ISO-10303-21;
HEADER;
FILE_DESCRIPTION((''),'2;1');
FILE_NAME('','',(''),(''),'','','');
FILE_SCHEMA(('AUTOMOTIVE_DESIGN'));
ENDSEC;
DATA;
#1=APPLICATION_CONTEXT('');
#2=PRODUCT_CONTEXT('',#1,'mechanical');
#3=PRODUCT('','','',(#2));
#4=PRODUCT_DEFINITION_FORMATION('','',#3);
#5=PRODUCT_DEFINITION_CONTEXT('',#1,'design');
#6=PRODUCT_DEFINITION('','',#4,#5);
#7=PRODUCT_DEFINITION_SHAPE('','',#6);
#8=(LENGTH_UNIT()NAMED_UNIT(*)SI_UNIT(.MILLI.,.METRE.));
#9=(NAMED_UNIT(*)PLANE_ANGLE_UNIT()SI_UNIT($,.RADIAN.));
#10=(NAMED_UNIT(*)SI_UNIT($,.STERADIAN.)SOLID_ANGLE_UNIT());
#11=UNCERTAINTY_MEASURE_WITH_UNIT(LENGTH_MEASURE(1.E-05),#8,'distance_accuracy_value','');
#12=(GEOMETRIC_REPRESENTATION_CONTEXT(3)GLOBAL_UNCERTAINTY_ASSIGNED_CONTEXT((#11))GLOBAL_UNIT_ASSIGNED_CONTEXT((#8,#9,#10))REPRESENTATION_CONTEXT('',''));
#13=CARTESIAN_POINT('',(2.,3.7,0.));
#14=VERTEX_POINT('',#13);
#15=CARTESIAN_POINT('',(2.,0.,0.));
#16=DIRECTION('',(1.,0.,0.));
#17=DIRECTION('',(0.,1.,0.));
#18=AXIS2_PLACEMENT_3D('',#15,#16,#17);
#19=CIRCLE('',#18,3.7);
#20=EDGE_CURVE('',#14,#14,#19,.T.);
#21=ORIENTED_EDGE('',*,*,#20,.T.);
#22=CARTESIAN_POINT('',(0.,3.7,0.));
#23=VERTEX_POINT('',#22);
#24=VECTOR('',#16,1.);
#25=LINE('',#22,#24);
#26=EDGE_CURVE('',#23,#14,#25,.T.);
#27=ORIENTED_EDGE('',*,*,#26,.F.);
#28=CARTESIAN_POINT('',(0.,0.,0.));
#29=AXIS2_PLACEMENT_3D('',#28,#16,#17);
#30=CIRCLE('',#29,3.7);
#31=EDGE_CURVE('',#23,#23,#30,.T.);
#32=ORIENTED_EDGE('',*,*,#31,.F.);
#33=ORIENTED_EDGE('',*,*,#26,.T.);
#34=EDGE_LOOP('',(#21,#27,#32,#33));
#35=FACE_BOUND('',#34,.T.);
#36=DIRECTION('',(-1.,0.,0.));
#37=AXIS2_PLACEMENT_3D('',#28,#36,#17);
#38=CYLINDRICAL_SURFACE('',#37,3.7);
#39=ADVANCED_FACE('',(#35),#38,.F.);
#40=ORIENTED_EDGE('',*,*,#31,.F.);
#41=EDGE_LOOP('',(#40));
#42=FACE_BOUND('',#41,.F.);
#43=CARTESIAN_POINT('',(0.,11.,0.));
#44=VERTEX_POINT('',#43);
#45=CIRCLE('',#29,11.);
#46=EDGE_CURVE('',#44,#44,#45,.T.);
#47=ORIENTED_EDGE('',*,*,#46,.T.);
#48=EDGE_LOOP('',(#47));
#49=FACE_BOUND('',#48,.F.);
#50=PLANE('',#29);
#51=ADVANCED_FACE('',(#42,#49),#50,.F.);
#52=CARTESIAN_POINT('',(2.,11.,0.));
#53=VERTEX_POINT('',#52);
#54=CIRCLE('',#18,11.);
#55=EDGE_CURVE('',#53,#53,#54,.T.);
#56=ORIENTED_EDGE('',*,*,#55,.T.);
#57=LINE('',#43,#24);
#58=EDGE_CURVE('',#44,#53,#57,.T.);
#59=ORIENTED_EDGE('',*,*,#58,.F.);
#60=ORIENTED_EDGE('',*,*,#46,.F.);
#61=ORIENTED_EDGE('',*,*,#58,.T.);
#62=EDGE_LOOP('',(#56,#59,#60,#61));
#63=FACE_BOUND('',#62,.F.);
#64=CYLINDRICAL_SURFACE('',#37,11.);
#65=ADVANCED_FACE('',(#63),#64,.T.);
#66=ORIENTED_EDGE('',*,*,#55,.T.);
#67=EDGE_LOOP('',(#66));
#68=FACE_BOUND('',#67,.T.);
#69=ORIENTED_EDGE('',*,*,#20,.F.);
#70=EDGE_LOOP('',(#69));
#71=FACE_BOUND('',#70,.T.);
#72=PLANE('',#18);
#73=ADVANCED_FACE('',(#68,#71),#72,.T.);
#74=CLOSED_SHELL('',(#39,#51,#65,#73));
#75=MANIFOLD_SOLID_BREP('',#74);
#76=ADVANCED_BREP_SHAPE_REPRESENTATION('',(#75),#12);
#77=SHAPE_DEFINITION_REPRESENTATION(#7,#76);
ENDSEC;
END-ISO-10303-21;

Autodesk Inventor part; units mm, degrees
ref_plane "YZ Plane" through (0, 0, 0) normal (1, 0, 0) x (0, 1, 0)
ref_plane "XZ Plane" through (0, 0, 0) normal (0, 1, 0) x (-1, 0, 0)
sketch "Skizze" plane through (0, 0, 0) normal (1, 0, 0) x (0, 1, 0)
  circle A0 centre (0, 0) radius 11
  circle A1 centre (0, 0) radius 3.7
  dimension "d0" = 7.4
  dimension "d1" = 22
extrude "Körper" add sketch "Skizze" along normal blind 2
ref_plane "Work Plane1" through (0, 0, 0) normal (0, 0, 1) x (1, 0, 0)
equation "\"d0\" = SD1"
equation "\"d1\" = SD2"
equation "\"d2\" = SD"
equation "\"SD1\" = 7.4"
equation "\"SD2\" = 22"
equation "\"SD\" = 2"
equation "\"NND\" = 7"
properties part number "DIN 9021 - 7,4" material "Stahl, weich"
